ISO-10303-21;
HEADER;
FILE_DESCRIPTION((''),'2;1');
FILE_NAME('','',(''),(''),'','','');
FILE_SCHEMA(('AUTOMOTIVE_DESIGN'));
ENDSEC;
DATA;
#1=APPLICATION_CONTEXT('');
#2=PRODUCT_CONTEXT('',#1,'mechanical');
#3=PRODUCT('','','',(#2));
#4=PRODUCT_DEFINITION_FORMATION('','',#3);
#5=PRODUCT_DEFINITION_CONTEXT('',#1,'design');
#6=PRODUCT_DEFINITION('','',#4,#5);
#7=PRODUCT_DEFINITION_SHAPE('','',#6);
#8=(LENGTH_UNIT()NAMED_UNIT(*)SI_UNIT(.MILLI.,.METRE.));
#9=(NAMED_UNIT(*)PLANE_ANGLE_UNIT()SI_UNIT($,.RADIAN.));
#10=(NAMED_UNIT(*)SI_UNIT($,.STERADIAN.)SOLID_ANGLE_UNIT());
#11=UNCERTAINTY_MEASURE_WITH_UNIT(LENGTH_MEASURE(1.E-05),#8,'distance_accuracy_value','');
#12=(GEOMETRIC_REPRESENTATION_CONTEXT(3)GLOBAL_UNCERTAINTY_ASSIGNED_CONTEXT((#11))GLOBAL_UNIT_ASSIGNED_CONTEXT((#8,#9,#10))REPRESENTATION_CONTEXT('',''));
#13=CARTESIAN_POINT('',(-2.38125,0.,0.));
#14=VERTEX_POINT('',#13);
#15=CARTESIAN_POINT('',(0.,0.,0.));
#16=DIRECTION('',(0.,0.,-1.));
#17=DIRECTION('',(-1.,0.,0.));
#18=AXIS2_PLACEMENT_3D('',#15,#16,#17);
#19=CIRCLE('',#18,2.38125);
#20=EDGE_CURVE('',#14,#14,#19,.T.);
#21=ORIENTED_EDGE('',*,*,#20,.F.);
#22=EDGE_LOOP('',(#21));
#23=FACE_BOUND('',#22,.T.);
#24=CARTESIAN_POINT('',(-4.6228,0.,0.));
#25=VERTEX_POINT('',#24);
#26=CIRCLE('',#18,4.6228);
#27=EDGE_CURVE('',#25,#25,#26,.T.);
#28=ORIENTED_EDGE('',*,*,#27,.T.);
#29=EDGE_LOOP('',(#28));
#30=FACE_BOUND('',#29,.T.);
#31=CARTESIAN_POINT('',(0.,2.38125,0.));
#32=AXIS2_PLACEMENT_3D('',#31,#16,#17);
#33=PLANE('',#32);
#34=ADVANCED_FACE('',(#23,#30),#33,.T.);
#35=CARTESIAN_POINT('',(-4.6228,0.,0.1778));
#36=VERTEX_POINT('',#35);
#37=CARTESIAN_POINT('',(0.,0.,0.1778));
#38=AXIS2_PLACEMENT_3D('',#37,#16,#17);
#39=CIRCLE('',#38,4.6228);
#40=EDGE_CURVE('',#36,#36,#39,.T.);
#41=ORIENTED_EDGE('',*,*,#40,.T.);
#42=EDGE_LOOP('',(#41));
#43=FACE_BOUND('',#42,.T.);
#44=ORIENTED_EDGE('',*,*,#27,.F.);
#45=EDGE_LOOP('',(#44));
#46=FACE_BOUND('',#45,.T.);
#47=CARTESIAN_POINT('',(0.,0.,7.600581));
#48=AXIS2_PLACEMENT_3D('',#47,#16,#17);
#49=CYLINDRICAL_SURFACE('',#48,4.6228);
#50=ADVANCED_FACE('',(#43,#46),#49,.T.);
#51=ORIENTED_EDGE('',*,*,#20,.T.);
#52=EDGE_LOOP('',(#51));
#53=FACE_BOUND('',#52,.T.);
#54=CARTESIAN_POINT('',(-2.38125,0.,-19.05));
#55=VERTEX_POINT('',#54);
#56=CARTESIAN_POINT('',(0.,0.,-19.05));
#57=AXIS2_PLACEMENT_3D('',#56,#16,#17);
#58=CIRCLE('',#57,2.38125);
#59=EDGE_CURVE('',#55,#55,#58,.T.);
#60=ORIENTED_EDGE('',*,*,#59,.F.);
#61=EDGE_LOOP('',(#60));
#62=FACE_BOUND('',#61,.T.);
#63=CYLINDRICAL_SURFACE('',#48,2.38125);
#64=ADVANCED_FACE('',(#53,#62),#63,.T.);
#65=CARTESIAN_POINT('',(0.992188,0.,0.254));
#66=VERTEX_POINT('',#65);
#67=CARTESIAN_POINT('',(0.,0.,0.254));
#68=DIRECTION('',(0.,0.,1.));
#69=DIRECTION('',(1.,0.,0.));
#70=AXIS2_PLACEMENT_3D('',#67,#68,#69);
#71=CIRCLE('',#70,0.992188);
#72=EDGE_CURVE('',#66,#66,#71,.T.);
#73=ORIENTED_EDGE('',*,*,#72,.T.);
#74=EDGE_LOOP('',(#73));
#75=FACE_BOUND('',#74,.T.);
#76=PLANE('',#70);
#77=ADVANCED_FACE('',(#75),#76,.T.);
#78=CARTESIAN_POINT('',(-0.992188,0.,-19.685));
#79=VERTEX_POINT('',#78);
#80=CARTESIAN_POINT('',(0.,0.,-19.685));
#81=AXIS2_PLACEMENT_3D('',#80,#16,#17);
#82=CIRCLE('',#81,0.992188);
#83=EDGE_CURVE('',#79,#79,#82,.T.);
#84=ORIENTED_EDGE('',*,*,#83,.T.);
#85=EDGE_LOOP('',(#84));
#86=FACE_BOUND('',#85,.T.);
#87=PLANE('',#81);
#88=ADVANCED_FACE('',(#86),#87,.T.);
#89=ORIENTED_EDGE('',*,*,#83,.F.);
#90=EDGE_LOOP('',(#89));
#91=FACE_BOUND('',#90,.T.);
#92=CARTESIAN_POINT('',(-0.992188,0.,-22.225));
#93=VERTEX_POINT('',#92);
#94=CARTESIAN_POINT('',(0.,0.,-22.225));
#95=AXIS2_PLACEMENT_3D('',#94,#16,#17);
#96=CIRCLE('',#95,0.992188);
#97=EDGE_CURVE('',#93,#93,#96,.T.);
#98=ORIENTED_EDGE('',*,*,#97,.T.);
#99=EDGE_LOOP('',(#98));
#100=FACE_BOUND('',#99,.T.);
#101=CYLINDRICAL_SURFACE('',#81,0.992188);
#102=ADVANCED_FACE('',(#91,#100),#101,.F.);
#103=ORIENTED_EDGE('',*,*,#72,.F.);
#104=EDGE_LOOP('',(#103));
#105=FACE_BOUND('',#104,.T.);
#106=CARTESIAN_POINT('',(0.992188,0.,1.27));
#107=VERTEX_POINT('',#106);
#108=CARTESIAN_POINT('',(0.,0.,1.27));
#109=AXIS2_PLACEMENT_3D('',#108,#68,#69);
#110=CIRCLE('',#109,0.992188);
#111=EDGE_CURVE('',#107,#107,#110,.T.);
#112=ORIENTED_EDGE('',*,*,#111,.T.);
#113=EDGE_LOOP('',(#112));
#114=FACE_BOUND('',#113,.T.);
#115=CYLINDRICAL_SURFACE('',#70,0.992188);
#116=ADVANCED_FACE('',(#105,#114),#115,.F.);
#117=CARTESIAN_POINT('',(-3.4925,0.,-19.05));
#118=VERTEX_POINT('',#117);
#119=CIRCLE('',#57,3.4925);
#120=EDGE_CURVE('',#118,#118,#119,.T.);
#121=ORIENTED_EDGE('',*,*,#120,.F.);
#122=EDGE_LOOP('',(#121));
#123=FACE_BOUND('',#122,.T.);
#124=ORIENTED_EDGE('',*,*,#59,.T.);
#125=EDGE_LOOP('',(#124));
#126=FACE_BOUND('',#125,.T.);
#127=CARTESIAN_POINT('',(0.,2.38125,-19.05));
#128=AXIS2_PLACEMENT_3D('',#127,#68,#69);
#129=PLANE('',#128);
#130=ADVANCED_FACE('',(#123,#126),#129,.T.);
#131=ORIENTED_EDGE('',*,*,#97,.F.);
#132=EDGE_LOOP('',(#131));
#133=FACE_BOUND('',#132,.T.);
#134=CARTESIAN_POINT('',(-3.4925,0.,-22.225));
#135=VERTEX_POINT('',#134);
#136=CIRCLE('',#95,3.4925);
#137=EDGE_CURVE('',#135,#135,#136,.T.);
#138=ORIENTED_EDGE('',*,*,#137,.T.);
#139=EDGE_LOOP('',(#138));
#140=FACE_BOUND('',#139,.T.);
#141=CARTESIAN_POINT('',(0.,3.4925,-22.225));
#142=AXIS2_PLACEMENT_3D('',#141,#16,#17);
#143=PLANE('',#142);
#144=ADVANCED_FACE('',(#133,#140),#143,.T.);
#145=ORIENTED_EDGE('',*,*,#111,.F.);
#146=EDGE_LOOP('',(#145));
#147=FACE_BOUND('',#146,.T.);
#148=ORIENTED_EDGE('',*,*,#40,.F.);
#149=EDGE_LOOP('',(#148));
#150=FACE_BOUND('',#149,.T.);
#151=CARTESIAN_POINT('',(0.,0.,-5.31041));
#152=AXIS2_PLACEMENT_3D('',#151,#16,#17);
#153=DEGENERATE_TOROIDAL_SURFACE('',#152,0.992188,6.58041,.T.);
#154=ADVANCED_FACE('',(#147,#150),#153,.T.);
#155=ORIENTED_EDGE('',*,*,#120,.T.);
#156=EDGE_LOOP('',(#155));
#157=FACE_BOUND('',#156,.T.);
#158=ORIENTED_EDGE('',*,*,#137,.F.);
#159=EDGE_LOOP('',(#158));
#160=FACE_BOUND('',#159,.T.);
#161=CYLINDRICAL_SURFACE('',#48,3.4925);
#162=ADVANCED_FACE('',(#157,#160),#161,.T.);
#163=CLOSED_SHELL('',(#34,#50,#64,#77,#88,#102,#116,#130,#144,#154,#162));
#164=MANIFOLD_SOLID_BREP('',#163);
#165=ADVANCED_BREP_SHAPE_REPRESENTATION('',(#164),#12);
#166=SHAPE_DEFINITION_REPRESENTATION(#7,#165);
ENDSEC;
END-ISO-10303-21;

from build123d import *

# Parameters (mm, degrees)
SKETCH4_R          = 0.9921875
CUT_EXTRUDE1_DEPTH = 1.016
CUT_EXTRUDE2_START = -2.54
SKETCH3_R          = 0.9921875
CUT_EXTRUDE2_DEPTH = 2.54


with BuildPart() as part:
    # Sketch2 → Revolve1 (revolve)
    with BuildSketch(Plane(origin=(0, 0, 0), x_dir=(0, 0, -1), z_dir=(1, 0, 0)), mode=Mode.PRIVATE) as revolve1_sk:
        with BuildLine():
            Line((-1.27, 0.9921875), (-1.27, 0))
            Line((-1.27, 0), (19.05, 0))
            Line((19.05, 0), (22.225, 0))
            Line((22.225, 0), (22.225, 3.4925))
            Line((22.225, 3.4925), (19.05, 3.4925))
            Line((19.05, 3.4925), (19.05, 2.38125))
            Line((19.05, 2.38125), (0, 2.38125))
            Line((0, 2.38125), (0, 4.6228))
            Line((0, 4.6228), (-0.1778, 4.6228))
            ThreePointArc((-0.1778, 4.6228), (-0.991036966, 2.887856773), (-1.27, 0.9921875))
        make_face()
    revolve(revolve1_sk.sketch.rotate(Axis((0, 0, 7.600580616), (0, 0, 1)), 90), axis=Axis((0, 0, 7.600580616), (0, 0, 1)))

    # Sketch4 → Cut-Extrude1 (cut)
    with BuildSketch(Plane.XY.offset(1.27)):
        Circle(SKETCH4_R)
    extrude(amount=-CUT_EXTRUDE1_DEPTH, mode=Mode.SUBTRACT)

    # Sketch3 → Cut-Extrude2 (cut)
    with BuildSketch(Plane(origin=(0, 0, -22.225), x_dir=(-1, 0, 0), z_dir=(0, 0, -1)).offset(CUT_EXTRUDE2_START)):
        with Locations(Location((0, 0, 0), (0, 0, 180))):
            Circle(SKETCH3_R)
    extrude(amount=CUT_EXTRUDE2_DEPTH, mode=Mode.SUBTRACT)


solid = part.part
